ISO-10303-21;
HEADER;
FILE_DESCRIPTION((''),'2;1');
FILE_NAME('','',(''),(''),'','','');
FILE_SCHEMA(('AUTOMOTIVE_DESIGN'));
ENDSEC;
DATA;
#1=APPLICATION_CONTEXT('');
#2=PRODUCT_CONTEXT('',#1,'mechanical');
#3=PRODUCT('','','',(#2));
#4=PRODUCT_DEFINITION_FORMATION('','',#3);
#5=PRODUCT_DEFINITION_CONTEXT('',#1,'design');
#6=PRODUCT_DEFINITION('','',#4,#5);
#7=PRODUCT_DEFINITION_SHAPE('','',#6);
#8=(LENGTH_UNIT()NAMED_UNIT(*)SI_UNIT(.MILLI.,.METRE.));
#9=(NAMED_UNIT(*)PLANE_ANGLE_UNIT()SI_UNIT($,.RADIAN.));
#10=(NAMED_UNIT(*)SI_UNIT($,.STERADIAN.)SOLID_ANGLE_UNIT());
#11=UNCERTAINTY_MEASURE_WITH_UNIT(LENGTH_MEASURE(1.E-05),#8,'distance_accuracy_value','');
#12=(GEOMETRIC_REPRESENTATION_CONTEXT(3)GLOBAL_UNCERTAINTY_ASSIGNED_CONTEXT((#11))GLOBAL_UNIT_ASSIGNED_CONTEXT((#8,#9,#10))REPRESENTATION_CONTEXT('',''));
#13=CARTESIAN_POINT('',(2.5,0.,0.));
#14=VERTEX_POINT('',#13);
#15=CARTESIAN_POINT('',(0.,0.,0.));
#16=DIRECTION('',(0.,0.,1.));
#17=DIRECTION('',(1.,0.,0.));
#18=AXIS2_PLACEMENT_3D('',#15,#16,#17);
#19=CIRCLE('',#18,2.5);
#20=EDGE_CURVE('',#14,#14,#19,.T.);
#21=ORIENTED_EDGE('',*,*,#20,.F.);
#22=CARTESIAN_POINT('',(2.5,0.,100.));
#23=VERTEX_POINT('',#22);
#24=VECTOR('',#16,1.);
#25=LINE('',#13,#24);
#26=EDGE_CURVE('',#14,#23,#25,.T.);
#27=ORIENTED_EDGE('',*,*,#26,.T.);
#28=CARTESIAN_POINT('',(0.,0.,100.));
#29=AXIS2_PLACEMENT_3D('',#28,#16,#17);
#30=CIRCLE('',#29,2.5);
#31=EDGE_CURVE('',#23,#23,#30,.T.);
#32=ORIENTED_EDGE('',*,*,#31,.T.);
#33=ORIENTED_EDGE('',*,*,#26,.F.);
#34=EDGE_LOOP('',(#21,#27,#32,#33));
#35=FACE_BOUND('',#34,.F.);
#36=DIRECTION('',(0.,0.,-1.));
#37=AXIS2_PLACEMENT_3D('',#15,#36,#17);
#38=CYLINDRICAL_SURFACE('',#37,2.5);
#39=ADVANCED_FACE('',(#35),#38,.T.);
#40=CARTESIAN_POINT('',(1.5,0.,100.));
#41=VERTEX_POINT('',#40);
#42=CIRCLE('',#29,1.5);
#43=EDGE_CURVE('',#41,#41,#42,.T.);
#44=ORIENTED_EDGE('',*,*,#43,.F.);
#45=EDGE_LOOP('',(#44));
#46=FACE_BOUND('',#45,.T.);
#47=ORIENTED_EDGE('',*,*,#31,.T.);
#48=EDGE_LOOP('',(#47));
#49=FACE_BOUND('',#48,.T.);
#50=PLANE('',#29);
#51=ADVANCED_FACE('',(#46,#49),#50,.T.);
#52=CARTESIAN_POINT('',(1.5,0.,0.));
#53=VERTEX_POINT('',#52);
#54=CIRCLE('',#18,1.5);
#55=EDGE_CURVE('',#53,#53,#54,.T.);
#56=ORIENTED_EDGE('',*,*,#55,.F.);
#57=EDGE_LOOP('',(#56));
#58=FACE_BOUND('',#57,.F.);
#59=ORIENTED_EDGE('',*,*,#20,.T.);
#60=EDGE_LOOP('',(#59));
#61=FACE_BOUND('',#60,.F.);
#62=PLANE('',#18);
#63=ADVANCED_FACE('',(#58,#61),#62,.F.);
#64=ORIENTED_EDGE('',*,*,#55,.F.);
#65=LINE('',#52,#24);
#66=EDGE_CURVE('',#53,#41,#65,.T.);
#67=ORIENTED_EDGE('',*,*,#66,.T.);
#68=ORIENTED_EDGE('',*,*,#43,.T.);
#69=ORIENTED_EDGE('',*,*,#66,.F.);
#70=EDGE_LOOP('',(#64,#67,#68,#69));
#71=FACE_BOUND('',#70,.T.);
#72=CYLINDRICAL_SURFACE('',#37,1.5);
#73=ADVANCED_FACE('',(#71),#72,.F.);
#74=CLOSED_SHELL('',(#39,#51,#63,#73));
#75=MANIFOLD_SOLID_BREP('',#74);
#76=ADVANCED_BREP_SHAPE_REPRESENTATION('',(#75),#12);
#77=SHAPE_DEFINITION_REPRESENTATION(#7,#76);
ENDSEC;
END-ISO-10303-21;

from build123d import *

# Parameters (mm, degrees)
SKETCH_R   = 2.5
SKETCH_R_2 = 1.5
PAD_DEPTH  = 100


with BuildPart() as part:
    # Sketch → Pad (new body)
    with BuildSketch(Plane.XY):
        Circle(SKETCH_R)
        Circle(SKETCH_R_2, mode=Mode.SUBTRACT)
    extrude(amount=PAD_DEPTH)


solid = part.part
